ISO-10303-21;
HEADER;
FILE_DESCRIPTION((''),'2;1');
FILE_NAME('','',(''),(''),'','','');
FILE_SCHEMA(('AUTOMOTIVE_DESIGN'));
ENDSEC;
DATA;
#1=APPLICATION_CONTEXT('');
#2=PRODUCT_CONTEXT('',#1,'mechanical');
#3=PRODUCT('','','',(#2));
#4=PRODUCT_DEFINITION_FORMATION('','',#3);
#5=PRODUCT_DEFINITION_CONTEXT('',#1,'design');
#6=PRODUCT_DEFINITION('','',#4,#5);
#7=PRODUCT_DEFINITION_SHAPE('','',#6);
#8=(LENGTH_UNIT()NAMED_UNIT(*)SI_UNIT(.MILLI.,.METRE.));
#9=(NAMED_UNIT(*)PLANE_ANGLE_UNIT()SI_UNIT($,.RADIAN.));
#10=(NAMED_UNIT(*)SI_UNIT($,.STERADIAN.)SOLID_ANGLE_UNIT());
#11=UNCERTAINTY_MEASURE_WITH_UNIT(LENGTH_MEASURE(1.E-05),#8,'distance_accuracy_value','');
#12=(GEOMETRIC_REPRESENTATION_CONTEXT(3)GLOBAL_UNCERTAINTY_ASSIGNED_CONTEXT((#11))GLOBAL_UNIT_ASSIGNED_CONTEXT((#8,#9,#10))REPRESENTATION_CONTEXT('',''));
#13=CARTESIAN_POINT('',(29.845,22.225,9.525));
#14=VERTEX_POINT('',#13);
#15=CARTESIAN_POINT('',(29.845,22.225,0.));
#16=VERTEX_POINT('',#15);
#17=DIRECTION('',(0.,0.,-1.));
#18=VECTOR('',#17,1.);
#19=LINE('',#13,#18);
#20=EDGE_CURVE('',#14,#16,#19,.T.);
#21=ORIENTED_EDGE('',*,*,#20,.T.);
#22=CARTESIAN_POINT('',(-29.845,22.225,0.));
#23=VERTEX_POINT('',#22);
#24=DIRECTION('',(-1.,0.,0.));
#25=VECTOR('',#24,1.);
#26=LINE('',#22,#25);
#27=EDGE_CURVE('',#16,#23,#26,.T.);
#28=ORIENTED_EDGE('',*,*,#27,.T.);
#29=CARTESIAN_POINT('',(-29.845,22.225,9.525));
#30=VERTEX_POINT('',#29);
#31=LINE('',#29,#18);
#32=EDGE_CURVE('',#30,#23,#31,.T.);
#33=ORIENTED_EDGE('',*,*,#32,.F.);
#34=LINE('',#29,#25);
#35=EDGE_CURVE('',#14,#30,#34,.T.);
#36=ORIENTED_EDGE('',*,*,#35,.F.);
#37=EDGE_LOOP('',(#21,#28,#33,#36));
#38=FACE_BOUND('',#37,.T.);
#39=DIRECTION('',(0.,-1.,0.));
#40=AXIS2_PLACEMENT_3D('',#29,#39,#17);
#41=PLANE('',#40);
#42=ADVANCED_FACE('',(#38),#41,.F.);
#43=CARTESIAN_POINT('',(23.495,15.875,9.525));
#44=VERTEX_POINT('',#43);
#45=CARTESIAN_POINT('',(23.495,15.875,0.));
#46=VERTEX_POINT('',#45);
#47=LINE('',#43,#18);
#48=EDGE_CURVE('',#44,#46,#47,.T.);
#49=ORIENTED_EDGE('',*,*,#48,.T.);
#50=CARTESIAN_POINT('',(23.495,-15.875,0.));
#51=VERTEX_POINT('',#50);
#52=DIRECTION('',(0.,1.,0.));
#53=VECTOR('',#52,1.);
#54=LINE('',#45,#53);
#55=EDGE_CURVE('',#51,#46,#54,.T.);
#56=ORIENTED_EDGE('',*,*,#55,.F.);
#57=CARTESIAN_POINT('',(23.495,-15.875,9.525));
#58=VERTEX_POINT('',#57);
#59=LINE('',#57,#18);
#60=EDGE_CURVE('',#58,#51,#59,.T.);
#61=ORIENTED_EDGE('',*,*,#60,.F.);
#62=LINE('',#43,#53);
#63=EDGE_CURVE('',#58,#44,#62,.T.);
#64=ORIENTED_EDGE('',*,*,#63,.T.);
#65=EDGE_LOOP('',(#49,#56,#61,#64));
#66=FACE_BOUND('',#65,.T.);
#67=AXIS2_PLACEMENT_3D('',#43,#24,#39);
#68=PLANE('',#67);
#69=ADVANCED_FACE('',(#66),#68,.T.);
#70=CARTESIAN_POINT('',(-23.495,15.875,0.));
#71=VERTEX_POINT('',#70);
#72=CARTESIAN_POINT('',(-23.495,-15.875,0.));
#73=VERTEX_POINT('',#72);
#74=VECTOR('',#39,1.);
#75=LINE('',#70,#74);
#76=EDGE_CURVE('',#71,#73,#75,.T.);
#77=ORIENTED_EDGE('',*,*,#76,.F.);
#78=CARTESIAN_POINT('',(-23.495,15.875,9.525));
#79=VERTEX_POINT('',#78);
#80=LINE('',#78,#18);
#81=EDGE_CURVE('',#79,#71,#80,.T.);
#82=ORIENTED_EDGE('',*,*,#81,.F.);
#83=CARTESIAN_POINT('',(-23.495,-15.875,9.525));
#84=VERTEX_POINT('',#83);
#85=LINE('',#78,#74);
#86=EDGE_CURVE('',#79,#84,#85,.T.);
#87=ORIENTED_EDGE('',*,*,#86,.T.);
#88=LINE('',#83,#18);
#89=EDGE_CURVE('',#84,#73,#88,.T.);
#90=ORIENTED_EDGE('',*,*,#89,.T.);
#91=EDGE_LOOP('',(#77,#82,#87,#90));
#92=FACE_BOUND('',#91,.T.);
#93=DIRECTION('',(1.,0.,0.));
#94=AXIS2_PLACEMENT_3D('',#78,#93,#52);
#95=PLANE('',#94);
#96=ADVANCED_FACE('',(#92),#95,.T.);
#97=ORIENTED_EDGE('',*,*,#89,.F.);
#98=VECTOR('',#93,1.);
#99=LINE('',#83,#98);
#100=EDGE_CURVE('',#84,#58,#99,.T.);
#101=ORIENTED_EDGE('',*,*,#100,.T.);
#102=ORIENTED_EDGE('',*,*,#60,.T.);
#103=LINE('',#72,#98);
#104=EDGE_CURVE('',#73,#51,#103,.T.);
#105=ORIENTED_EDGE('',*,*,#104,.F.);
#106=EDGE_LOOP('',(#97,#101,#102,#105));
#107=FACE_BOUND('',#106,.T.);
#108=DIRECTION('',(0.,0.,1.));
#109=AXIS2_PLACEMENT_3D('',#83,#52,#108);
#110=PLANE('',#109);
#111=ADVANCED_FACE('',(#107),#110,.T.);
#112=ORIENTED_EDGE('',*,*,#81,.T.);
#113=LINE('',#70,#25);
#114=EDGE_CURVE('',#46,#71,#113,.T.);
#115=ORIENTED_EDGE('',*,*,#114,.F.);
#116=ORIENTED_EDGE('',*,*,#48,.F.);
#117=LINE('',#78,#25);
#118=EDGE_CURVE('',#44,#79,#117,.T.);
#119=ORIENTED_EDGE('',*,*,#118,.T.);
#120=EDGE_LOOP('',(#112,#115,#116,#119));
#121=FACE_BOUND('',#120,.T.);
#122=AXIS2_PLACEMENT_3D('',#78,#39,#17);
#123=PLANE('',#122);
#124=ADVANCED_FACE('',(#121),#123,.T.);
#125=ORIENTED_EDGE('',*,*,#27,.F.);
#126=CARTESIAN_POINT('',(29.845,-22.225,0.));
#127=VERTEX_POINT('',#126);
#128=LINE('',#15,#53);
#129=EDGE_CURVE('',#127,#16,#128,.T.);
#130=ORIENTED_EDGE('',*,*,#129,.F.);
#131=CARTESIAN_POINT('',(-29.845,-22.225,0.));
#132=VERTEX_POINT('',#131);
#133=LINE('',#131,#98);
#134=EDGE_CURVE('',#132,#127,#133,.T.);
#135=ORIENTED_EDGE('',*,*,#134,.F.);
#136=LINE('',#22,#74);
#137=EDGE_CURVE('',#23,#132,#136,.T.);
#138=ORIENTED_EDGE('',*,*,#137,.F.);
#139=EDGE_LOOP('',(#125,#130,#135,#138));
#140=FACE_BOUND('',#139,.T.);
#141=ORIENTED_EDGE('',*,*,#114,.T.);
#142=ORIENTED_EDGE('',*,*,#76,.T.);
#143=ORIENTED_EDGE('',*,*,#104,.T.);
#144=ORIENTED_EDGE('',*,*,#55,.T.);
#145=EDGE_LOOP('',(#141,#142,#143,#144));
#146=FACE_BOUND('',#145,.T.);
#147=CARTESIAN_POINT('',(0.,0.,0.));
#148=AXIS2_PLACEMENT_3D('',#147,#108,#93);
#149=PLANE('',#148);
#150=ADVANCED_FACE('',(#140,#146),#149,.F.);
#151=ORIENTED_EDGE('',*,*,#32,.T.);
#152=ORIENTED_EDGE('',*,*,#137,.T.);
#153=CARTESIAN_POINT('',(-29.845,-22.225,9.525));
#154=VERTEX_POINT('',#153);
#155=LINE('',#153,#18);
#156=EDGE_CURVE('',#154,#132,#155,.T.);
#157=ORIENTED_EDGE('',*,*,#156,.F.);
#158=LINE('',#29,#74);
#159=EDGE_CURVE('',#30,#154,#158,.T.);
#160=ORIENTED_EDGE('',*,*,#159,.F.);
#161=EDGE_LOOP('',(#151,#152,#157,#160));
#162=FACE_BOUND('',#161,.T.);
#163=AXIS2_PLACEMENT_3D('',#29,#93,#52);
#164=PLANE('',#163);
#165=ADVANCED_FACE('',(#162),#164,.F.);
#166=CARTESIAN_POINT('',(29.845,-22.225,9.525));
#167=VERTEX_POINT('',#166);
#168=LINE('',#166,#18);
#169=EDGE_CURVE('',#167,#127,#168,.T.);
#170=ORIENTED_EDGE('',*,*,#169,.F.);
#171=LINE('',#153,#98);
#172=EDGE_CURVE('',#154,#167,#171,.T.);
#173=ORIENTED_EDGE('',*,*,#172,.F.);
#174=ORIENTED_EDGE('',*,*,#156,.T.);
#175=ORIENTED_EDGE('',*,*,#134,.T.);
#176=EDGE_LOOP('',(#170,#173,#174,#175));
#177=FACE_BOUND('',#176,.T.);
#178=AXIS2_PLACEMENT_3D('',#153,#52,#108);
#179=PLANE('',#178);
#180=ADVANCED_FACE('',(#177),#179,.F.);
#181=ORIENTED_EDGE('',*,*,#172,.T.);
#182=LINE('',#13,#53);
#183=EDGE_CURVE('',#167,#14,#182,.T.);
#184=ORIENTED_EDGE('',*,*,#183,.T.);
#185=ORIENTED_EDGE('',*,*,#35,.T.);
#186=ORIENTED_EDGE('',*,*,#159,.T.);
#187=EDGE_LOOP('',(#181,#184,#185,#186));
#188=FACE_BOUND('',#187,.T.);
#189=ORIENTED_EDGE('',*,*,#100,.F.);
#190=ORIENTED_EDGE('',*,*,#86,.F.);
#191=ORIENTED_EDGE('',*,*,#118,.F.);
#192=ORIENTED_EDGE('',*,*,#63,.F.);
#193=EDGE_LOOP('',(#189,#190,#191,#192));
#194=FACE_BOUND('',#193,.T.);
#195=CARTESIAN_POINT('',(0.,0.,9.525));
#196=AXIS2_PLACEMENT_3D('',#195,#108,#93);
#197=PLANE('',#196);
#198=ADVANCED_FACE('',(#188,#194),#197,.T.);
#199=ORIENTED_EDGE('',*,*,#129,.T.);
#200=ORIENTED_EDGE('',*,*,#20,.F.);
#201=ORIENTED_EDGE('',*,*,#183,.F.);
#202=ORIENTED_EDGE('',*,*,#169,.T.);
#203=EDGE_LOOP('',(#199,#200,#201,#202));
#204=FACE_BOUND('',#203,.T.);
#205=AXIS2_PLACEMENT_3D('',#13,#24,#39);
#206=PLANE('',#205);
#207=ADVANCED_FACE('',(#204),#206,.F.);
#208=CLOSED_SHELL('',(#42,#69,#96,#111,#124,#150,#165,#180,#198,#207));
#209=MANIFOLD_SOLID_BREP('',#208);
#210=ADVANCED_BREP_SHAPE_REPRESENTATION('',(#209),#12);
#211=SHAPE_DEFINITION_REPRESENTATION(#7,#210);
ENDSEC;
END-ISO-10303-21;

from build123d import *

# Parameters (mm, degrees)
SKETCH1_W           = 59.69
SKETCH1_H           = 44.45
SKETCH1_W_2         = 46.99
SKETCH1_H_2         = 31.75
BOSS_EXTRUDE1_DEPTH = 9.525


with BuildPart() as part:
    # Sketch1 → Boss-Extrude1 (new body)
    with BuildSketch(Plane.XY):
        Rectangle(SKETCH1_W, SKETCH1_H)
        Rectangle(SKETCH1_W_2, SKETCH1_H_2, mode=Mode.SUBTRACT)
    extrude(amount=BOSS_EXTRUDE1_DEPTH)


solid = part.part
